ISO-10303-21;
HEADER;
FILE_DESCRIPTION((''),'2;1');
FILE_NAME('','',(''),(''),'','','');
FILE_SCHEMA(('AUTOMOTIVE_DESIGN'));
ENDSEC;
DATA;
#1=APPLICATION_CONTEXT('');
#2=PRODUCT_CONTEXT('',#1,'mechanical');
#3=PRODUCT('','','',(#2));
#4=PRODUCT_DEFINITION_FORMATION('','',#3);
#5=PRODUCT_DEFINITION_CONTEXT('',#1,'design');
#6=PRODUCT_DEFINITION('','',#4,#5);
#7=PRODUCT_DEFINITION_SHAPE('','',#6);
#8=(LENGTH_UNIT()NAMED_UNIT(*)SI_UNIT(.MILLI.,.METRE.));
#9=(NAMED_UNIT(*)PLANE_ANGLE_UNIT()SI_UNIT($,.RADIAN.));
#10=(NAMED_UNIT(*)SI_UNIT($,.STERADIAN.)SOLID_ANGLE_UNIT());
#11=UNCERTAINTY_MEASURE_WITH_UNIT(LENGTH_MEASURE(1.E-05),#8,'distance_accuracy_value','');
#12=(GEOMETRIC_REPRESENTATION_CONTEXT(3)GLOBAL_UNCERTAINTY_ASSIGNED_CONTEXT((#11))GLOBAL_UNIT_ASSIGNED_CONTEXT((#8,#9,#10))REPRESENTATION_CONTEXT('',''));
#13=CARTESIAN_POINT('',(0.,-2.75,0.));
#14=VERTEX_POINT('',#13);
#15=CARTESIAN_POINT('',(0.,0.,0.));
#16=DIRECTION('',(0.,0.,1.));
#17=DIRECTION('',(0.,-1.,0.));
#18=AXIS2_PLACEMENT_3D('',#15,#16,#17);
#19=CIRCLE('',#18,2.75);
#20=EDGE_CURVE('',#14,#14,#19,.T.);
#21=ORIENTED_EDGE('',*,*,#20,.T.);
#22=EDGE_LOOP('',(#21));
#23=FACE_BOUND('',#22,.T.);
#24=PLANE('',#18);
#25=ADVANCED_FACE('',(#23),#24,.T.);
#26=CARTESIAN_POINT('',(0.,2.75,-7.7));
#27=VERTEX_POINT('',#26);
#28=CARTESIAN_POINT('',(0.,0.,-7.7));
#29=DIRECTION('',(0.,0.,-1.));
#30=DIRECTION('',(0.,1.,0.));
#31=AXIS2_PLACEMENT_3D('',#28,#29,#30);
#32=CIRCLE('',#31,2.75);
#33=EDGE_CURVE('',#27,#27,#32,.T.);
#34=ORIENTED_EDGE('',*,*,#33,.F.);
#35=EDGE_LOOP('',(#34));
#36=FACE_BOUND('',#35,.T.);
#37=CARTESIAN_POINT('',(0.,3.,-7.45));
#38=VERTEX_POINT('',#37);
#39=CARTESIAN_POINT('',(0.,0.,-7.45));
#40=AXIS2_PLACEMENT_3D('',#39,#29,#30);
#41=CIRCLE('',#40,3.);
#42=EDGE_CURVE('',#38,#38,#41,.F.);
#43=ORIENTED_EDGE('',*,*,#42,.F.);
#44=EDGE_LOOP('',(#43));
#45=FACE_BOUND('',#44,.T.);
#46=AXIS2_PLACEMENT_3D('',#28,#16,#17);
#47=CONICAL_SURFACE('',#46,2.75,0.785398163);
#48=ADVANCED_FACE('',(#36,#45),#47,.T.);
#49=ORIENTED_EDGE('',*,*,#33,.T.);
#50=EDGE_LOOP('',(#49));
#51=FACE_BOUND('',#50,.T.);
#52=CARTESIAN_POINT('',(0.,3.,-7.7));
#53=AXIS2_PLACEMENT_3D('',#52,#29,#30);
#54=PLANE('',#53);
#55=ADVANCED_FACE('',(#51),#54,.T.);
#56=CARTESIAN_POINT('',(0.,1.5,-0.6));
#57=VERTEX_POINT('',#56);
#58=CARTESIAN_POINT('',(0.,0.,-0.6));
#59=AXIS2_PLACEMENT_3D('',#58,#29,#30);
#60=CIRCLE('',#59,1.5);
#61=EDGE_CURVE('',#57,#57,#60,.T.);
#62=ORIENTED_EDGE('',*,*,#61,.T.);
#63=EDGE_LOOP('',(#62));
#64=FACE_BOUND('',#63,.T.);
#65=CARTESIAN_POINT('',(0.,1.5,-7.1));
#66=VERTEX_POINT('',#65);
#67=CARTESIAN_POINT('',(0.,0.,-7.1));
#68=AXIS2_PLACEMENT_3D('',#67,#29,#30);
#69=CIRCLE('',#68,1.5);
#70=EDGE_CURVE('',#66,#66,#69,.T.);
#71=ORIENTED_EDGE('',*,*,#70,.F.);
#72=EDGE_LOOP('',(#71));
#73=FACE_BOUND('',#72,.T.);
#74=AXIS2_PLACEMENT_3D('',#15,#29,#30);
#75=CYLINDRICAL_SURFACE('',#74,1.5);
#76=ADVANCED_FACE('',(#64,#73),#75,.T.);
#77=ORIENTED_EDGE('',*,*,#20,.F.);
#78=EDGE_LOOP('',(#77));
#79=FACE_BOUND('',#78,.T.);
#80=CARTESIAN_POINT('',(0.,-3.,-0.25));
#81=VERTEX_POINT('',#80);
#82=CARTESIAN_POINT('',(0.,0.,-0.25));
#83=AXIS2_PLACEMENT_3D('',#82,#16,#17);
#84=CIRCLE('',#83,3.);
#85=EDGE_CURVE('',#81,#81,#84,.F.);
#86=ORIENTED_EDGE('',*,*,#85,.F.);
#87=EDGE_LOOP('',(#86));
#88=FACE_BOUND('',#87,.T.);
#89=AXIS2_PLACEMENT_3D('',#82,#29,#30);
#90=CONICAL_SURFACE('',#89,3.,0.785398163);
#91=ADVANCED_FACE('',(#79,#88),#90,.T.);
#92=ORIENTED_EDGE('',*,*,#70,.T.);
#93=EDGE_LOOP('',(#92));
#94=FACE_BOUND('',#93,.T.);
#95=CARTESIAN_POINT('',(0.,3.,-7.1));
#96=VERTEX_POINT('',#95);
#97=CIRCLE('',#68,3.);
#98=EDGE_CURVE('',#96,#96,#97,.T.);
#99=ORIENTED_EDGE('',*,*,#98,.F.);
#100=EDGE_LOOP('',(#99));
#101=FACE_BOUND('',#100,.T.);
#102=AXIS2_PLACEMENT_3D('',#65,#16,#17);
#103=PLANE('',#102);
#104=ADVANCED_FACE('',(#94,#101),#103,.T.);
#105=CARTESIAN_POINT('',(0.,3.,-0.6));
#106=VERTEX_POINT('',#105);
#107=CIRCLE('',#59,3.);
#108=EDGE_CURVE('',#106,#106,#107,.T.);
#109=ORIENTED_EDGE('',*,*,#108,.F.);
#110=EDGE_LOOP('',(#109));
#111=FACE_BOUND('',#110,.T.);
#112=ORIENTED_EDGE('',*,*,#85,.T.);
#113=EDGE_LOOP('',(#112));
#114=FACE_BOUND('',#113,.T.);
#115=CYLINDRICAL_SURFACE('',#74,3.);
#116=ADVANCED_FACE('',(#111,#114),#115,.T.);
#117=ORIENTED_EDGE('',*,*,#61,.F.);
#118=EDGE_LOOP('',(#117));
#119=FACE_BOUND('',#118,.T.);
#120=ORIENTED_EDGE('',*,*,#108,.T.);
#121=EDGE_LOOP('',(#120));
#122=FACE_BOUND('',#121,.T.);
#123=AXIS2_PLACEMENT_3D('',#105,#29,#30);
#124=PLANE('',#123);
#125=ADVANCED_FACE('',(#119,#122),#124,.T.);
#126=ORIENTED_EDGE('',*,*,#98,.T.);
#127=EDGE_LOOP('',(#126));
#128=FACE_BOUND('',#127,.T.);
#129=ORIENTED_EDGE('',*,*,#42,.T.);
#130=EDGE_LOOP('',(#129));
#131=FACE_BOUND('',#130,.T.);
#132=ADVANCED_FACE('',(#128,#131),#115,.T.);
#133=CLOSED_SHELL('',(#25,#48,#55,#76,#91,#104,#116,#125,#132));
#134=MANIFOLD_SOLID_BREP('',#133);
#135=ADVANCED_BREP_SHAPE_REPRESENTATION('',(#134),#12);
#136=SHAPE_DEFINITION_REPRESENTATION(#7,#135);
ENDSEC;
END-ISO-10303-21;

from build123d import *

# Parameters (mm, degrees)
CHAMFER1_SIZE = 0.25


with BuildPart() as part:
    # Sketch1 → Revolve1 (revolve)
    with BuildSketch(Plane(origin=(0, 0, 0), x_dir=(0, 0, -1), z_dir=(1, 0, 0))):
        Polygon((0, 0), (0, 3), (0.6, 3), (0.6, 1.5), (7.1, 1.5), (7.1, 3), (7.7, 3), (7.7, 0), align=None)
    revolve(axis=Axis((0, 0, 0), (0, 0, 1)))

    # Chamfer1
    chamfer1_edges = [part.edges().sort_by_distance(p)[0] for p in [
        (0, -3, -7.7),
        (0, -3, 0),
    ]]
    chamfer(chamfer1_edges, length=CHAMFER1_SIZE)


solid = part.part
